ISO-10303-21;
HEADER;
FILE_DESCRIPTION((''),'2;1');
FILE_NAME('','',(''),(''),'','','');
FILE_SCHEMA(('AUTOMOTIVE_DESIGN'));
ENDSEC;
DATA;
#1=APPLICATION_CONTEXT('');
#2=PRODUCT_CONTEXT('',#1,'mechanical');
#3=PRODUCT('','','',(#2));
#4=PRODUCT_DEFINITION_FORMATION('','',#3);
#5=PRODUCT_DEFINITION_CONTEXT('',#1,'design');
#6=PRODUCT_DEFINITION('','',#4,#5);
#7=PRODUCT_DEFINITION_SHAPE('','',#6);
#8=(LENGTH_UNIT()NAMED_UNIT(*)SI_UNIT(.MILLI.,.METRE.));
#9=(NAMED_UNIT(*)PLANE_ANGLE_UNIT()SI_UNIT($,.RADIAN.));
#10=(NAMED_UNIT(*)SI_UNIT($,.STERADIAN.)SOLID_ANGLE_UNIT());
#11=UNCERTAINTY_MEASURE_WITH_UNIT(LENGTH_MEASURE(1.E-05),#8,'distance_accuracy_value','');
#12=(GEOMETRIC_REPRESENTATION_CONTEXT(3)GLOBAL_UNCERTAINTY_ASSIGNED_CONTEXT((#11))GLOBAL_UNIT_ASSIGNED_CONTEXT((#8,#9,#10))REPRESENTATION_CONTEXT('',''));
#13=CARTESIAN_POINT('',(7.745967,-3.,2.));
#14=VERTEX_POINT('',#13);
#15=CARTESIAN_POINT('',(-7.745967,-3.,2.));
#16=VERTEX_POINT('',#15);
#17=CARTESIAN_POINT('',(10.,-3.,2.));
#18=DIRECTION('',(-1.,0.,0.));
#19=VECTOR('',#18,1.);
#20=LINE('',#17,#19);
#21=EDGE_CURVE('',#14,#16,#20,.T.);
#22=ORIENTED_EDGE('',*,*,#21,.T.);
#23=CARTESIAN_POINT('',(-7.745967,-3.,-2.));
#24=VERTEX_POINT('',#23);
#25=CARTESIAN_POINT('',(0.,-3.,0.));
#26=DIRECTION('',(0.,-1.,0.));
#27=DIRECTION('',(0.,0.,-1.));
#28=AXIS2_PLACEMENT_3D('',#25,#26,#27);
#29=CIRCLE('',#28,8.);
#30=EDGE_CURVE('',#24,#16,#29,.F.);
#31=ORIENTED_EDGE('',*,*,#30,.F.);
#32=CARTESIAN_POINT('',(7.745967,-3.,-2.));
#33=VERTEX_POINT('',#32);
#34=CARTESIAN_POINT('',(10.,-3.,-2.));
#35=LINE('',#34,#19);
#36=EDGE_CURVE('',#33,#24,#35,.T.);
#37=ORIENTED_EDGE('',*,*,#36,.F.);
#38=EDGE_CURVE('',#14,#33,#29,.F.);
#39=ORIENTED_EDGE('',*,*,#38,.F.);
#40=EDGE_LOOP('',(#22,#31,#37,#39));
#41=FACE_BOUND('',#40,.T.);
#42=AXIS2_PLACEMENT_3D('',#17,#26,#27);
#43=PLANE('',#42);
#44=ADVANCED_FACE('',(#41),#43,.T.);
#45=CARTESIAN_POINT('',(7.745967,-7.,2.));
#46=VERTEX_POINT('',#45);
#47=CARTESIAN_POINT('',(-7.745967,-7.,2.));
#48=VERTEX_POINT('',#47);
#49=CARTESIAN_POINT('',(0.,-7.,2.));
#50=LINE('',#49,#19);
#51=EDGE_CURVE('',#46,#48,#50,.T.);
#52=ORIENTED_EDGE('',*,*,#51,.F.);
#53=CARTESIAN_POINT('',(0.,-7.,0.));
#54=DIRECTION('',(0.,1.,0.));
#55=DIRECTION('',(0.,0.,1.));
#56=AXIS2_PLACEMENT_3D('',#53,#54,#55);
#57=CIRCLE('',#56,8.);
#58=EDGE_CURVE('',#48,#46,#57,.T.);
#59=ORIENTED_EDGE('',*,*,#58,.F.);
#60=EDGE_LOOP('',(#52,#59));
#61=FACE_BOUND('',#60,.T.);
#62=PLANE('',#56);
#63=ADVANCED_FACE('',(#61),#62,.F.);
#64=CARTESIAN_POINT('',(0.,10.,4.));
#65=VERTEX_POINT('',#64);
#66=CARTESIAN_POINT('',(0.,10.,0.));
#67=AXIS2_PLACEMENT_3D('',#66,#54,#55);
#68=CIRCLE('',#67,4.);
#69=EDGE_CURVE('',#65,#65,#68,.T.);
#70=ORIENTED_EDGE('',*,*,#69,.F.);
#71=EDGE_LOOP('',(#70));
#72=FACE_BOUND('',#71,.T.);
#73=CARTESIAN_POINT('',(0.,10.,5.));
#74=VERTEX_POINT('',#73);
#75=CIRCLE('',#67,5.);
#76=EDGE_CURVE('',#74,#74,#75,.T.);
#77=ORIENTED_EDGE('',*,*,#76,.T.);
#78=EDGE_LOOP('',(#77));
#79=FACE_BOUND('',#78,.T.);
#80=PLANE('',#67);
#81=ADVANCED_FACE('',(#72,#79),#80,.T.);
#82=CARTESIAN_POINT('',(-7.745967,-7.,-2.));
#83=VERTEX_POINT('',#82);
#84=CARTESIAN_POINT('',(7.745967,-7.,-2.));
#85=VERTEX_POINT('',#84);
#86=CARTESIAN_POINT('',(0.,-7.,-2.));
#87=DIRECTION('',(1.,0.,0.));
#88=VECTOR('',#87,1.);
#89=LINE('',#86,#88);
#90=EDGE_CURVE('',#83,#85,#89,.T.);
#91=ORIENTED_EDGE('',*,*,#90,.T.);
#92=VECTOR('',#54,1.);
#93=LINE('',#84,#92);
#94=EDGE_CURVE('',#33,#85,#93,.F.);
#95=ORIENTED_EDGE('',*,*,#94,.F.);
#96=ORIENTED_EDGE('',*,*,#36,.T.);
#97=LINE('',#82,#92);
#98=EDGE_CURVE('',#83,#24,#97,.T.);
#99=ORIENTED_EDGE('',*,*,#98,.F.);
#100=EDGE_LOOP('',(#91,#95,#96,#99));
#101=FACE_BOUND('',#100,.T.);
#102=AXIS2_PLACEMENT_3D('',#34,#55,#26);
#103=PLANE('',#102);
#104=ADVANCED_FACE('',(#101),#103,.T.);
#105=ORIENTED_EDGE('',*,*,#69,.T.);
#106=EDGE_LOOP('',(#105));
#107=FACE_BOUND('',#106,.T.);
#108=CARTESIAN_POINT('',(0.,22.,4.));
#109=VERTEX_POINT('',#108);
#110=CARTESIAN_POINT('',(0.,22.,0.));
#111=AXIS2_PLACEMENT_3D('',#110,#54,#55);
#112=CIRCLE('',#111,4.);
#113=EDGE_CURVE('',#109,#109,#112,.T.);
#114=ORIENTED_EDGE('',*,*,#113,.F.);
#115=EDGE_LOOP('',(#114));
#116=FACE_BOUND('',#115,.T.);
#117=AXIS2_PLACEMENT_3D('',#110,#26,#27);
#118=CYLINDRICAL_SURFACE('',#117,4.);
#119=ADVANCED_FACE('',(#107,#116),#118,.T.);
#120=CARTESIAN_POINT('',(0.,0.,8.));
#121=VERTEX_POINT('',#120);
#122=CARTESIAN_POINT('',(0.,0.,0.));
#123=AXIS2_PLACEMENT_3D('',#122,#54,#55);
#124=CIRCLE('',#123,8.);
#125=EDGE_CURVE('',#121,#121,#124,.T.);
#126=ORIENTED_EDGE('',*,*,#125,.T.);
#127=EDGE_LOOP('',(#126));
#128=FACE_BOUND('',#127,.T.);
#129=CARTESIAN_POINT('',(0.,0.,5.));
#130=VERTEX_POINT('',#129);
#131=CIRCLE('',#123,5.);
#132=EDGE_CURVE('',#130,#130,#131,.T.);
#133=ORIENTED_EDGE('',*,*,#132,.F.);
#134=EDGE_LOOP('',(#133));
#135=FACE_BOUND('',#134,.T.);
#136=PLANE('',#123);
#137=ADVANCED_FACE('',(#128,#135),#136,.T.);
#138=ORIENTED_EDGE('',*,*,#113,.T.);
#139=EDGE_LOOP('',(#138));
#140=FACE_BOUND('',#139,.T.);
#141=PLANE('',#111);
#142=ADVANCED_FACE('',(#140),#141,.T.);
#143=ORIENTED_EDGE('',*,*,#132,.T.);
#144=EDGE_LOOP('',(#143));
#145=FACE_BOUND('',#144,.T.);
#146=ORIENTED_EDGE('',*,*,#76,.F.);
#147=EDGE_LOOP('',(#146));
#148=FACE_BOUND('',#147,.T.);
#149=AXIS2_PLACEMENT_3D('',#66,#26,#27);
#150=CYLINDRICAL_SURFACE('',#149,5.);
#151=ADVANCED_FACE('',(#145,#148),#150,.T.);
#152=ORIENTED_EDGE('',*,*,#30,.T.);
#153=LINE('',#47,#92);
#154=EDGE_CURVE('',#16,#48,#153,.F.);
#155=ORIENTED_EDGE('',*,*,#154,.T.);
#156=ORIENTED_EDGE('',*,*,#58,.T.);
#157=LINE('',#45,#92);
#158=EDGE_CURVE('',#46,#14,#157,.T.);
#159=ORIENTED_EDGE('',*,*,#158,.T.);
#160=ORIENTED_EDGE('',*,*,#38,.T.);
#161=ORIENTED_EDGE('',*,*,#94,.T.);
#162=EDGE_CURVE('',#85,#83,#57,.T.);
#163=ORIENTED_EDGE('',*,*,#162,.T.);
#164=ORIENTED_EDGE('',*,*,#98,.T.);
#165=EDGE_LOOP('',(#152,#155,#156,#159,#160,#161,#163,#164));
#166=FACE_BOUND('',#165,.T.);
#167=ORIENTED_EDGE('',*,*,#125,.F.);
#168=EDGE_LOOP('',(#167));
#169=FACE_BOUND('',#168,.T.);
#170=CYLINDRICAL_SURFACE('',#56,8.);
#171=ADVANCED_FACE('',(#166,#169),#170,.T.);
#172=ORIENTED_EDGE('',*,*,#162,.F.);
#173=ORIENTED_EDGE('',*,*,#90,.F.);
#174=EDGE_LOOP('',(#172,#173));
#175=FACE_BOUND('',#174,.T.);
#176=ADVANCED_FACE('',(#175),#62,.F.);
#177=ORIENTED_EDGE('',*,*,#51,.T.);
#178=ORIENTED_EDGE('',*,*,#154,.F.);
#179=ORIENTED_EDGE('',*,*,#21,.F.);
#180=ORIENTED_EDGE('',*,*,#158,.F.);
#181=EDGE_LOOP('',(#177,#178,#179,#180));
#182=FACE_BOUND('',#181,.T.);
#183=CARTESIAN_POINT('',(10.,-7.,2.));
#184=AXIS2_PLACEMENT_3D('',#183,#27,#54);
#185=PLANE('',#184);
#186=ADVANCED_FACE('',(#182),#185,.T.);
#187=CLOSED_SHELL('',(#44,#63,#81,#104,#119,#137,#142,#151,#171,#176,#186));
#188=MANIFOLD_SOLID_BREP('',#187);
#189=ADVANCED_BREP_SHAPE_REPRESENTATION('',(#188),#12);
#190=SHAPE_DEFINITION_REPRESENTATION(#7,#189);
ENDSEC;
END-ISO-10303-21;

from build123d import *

# Parameters (mm, degrees)
SKETCH1_R               = 8
BOSS_EXTRUDE1_DEPTH     = 7
SKETCH2_R               = 5
BOSS_EXTRUDE2_DEPTH     = 10
CUT_EXTRUDE1_DEPTH      = 10
CUT_EXTRUDE1_DEPTH_BACK = 10
SKETCH3_W               = 4
SKETCH3_H               = 4
SKETCH4_R               = 4
BOSS_EXTRUDE3_DEPTH     = 12


with BuildPart() as part:
    # Sketch1 → Boss-Extrude1 (new body)
    with BuildSketch(Plane(origin=(0, 0, 0), x_dir=(1, 0, 0), z_dir=(0, 1, 0))):
        Circle(SKETCH1_R)
    extrude(amount=-BOSS_EXTRUDE1_DEPTH)

    # Sketch2 → Boss-Extrude2 (add)
    with BuildSketch(Plane(origin=(0, 0, 0), x_dir=(1, 0, 0), z_dir=(0, 1, 0))):
        Circle(SKETCH2_R)
    extrude(amount=BOSS_EXTRUDE2_DEPTH)

    # Sketch3 → Cut-Extrude1 (cut, two sides: drawn at the far end of the back side and taken through both)
    with BuildSketch(Plane(origin=(0, 0, 0), x_dir=(0, 0, -1), z_dir=(1, 0, 0)).offset(-CUT_EXTRUDE1_DEPTH_BACK)):
        with Locations((0, -5)):
            Rectangle(SKETCH3_W, SKETCH3_H)
    extrude(amount=CUT_EXTRUDE1_DEPTH + CUT_EXTRUDE1_DEPTH_BACK, mode=Mode.SUBTRACT)

    # Sketch4 → Boss-Extrude3 (add)
    with BuildSketch(Plane(origin=(0, 10, 0), x_dir=(1, 0, 0), z_dir=(0, 1, 0))):
        Circle(SKETCH4_R)
    extrude(amount=BOSS_EXTRUDE3_DEPTH)


solid = part.part
